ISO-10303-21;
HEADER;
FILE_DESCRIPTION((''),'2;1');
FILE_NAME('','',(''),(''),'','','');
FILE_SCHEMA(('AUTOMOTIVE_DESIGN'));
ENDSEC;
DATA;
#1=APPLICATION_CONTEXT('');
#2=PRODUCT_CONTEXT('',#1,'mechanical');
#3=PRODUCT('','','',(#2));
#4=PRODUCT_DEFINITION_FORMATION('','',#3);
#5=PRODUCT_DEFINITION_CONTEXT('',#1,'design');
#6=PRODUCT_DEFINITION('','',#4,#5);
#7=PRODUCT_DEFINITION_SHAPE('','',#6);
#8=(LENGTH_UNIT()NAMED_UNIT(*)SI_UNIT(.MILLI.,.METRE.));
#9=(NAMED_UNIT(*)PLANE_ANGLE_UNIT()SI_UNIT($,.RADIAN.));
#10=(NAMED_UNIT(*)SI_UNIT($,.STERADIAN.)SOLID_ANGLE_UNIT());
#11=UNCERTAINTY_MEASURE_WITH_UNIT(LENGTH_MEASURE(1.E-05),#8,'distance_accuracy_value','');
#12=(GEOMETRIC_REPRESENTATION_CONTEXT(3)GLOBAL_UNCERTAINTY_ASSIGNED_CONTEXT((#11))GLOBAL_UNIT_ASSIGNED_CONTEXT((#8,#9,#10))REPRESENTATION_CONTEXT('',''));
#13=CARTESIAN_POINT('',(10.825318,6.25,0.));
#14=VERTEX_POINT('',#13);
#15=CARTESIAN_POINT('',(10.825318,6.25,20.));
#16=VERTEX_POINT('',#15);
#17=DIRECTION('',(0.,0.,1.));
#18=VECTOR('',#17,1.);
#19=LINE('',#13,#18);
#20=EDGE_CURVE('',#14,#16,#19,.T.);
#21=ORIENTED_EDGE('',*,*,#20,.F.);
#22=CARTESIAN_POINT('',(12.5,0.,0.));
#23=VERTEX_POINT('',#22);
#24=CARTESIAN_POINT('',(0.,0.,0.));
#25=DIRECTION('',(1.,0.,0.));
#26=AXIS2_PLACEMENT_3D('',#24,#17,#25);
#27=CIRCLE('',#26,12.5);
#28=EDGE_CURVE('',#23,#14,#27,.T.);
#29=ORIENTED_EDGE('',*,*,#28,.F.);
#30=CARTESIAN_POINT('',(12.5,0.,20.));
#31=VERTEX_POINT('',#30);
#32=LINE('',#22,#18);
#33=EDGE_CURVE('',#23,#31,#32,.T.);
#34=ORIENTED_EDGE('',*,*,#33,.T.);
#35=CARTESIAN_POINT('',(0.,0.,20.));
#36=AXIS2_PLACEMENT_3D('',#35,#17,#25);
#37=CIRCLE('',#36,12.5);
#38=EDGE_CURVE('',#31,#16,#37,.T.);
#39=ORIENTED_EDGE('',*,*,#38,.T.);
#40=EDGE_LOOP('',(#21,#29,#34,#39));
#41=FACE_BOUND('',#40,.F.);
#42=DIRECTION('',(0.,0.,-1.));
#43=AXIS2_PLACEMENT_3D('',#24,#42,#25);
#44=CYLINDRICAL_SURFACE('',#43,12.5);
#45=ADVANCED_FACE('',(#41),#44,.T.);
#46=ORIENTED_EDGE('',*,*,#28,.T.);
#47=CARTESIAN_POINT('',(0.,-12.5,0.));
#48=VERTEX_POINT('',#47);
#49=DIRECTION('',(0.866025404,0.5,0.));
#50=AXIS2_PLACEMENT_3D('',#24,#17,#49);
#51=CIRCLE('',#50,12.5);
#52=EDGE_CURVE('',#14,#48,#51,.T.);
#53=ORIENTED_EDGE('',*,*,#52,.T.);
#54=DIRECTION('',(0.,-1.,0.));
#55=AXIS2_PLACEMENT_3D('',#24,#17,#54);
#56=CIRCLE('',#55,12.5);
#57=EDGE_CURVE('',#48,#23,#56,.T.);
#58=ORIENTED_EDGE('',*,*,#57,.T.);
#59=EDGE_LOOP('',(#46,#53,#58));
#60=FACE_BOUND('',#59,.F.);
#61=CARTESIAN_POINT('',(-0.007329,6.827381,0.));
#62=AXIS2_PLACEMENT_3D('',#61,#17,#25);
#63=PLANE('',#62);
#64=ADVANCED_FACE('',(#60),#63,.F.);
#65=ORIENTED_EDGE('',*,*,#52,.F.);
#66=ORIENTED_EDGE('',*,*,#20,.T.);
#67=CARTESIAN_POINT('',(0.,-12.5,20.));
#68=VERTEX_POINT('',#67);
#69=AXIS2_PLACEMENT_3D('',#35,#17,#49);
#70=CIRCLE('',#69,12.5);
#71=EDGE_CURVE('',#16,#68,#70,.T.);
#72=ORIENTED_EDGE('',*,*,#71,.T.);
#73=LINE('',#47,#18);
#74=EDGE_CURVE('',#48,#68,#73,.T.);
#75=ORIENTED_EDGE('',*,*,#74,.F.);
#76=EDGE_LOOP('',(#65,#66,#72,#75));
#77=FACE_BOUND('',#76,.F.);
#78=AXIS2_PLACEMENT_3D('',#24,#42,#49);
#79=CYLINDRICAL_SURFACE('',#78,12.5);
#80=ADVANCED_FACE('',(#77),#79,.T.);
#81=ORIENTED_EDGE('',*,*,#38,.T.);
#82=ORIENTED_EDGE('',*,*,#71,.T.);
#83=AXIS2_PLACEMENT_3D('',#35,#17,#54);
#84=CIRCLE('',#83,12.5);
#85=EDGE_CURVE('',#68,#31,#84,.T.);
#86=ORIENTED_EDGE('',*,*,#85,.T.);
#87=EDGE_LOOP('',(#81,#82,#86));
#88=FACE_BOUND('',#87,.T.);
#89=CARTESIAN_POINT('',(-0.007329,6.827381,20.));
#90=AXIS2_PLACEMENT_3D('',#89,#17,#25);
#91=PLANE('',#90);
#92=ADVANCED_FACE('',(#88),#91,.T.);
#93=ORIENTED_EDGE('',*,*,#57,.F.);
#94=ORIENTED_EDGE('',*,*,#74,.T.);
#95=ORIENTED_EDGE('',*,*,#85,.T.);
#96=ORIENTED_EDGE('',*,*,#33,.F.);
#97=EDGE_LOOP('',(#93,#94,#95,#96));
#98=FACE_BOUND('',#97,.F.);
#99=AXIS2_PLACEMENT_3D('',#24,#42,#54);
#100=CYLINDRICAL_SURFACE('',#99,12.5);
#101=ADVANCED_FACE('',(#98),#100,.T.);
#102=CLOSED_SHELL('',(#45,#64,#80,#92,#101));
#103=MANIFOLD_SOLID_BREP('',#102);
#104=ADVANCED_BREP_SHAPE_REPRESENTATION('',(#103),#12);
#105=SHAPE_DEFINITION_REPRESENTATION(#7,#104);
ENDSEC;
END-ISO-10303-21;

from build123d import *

# Parameters (mm, degrees)
F1_DEPTH = 20


with BuildPart() as f1:
    # F0 (on Top) → F1 (new body)
    with BuildSketch(Plane.XY):
        with BuildLine():
            Line((9.7427857926, 5.625), (10.8253175473, 6.25))
            ThreePointArc((10.8253175473, 6.25), (0, 12.5), (-10.8253175473, 6.25))
            Line((-10.8253175473, 6.25), (-9.7427857926, 5.625))
            ThreePointArc((-9.7427857926, 5.625), (-6.0870413337, 7.1392589354), (-3.6782032303, 4))
            ThreePointArc((-3.6782032303, 4), (-3.7889442948, 3.1588381034), (-4.113620668, 2.375))
            Line((-4.113620668, 2.375), (0, 0))
            Line((0, 0), (4.113620668, 2.375))
            ThreePointArc((4.113620668, 2.375), (5.3032032303, 6.8145825623), (9.7427857926, 5.625))
        make_face()
        with BuildLine():
            ThreePointArc((-10.8253175473, 6.25), (-10.8253175473, -6.25), (0, -12.5))
            Line((0, -12.5), (0, -11.25))
            ThreePointArc((0, -11.25), (-3.25, -8), (0, -4.75))
            Line((0, -4.75), (0, 0))
            Line((0, 0), (-4.113620668, 2.375))
            ThreePointArc((-4.113620668, 2.375), (-8.5532032303, 1.1854174377), (-9.7427857926, 5.625))
            Line((-9.7427857926, 5.625), (-10.8253175473, 6.25))
        make_face()
        with BuildLine():
            ThreePointArc((0, -12.5), (8.8388347648, -8.8388347648), (12.5, 0))
            ThreePointArc((12.5, 0), (12.0740728286, 3.2352380638), (10.8253175473, 6.25))
            Line((10.8253175473, 6.25), (9.7427857926, 5.625))
            ThreePointArc((9.7427857926, 5.625), (10.0674621657, 4.8411618966), (10.1782032303, 4))
            ThreePointArc((10.1782032303, 4), (7.7693651269, 0.8607410646), (4.113620668, 2.375))
            Line((4.113620668, 2.375), (0, 0))
            Line((0, 0), (0, -4.75))
            ThreePointArc((0, -4.75), (2.2980970389, -5.7019029611), (3.25, -8))
            ThreePointArc((3.25, -8), (2.2980970389, -10.2980970389), (0, -11.25))
            Line((0, -11.25), (0, -12.5))
        make_face()
        with BuildLine():
            Line((-4.113620668, 2.375), (-9.7427857926, 5.625))
            ThreePointArc((-9.7427857926, 5.625), (-8.5532032303, 1.1854174377), (-4.113620668, 2.375))
        make_face()
        with BuildLine():
            ThreePointArc((-3.6782032303, 4), (-6.0870413337, 7.1392589354), (-9.7427857926, 5.625))
            Line((-9.7427857926, 5.625), (-4.113620668, 2.375))
            ThreePointArc((-4.113620668, 2.375), (-3.7889442948, 3.1588381034), (-3.6782032303, 4))
        make_face()
        with BuildLine():
            Line((4.113620668, 2.375), (9.7427857926, 5.625))
            ThreePointArc((9.7427857926, 5.625), (5.3032032303, 6.8145825623), (4.113620668, 2.375))
        make_face()
        with BuildLine():
            ThreePointArc((10.1782032303, 4), (10.0674621657, 4.8411618966), (9.7427857926, 5.625))
            Line((9.7427857926, 5.625), (4.113620668, 2.375))
            ThreePointArc((4.113620668, 2.375), (7.7693651269, 0.8607410646), (10.1782032303, 4))
        make_face()
        with BuildLine():
            ThreePointArc((0, -4.75), (-3.25, -8), (0, -11.25))
            Line((0, -11.25), (0, -4.75))
        make_face()
        with BuildLine():
            Line((0, -4.75), (0, -11.25))
            ThreePointArc((0, -11.25), (2.2980970389, -10.2980970389), (3.25, -8))
            ThreePointArc((3.25, -8), (2.2980970389, -5.7019029611), (0, -4.75))
        make_face()
    extrude(amount=F1_DEPTH)


solid = f1.part
